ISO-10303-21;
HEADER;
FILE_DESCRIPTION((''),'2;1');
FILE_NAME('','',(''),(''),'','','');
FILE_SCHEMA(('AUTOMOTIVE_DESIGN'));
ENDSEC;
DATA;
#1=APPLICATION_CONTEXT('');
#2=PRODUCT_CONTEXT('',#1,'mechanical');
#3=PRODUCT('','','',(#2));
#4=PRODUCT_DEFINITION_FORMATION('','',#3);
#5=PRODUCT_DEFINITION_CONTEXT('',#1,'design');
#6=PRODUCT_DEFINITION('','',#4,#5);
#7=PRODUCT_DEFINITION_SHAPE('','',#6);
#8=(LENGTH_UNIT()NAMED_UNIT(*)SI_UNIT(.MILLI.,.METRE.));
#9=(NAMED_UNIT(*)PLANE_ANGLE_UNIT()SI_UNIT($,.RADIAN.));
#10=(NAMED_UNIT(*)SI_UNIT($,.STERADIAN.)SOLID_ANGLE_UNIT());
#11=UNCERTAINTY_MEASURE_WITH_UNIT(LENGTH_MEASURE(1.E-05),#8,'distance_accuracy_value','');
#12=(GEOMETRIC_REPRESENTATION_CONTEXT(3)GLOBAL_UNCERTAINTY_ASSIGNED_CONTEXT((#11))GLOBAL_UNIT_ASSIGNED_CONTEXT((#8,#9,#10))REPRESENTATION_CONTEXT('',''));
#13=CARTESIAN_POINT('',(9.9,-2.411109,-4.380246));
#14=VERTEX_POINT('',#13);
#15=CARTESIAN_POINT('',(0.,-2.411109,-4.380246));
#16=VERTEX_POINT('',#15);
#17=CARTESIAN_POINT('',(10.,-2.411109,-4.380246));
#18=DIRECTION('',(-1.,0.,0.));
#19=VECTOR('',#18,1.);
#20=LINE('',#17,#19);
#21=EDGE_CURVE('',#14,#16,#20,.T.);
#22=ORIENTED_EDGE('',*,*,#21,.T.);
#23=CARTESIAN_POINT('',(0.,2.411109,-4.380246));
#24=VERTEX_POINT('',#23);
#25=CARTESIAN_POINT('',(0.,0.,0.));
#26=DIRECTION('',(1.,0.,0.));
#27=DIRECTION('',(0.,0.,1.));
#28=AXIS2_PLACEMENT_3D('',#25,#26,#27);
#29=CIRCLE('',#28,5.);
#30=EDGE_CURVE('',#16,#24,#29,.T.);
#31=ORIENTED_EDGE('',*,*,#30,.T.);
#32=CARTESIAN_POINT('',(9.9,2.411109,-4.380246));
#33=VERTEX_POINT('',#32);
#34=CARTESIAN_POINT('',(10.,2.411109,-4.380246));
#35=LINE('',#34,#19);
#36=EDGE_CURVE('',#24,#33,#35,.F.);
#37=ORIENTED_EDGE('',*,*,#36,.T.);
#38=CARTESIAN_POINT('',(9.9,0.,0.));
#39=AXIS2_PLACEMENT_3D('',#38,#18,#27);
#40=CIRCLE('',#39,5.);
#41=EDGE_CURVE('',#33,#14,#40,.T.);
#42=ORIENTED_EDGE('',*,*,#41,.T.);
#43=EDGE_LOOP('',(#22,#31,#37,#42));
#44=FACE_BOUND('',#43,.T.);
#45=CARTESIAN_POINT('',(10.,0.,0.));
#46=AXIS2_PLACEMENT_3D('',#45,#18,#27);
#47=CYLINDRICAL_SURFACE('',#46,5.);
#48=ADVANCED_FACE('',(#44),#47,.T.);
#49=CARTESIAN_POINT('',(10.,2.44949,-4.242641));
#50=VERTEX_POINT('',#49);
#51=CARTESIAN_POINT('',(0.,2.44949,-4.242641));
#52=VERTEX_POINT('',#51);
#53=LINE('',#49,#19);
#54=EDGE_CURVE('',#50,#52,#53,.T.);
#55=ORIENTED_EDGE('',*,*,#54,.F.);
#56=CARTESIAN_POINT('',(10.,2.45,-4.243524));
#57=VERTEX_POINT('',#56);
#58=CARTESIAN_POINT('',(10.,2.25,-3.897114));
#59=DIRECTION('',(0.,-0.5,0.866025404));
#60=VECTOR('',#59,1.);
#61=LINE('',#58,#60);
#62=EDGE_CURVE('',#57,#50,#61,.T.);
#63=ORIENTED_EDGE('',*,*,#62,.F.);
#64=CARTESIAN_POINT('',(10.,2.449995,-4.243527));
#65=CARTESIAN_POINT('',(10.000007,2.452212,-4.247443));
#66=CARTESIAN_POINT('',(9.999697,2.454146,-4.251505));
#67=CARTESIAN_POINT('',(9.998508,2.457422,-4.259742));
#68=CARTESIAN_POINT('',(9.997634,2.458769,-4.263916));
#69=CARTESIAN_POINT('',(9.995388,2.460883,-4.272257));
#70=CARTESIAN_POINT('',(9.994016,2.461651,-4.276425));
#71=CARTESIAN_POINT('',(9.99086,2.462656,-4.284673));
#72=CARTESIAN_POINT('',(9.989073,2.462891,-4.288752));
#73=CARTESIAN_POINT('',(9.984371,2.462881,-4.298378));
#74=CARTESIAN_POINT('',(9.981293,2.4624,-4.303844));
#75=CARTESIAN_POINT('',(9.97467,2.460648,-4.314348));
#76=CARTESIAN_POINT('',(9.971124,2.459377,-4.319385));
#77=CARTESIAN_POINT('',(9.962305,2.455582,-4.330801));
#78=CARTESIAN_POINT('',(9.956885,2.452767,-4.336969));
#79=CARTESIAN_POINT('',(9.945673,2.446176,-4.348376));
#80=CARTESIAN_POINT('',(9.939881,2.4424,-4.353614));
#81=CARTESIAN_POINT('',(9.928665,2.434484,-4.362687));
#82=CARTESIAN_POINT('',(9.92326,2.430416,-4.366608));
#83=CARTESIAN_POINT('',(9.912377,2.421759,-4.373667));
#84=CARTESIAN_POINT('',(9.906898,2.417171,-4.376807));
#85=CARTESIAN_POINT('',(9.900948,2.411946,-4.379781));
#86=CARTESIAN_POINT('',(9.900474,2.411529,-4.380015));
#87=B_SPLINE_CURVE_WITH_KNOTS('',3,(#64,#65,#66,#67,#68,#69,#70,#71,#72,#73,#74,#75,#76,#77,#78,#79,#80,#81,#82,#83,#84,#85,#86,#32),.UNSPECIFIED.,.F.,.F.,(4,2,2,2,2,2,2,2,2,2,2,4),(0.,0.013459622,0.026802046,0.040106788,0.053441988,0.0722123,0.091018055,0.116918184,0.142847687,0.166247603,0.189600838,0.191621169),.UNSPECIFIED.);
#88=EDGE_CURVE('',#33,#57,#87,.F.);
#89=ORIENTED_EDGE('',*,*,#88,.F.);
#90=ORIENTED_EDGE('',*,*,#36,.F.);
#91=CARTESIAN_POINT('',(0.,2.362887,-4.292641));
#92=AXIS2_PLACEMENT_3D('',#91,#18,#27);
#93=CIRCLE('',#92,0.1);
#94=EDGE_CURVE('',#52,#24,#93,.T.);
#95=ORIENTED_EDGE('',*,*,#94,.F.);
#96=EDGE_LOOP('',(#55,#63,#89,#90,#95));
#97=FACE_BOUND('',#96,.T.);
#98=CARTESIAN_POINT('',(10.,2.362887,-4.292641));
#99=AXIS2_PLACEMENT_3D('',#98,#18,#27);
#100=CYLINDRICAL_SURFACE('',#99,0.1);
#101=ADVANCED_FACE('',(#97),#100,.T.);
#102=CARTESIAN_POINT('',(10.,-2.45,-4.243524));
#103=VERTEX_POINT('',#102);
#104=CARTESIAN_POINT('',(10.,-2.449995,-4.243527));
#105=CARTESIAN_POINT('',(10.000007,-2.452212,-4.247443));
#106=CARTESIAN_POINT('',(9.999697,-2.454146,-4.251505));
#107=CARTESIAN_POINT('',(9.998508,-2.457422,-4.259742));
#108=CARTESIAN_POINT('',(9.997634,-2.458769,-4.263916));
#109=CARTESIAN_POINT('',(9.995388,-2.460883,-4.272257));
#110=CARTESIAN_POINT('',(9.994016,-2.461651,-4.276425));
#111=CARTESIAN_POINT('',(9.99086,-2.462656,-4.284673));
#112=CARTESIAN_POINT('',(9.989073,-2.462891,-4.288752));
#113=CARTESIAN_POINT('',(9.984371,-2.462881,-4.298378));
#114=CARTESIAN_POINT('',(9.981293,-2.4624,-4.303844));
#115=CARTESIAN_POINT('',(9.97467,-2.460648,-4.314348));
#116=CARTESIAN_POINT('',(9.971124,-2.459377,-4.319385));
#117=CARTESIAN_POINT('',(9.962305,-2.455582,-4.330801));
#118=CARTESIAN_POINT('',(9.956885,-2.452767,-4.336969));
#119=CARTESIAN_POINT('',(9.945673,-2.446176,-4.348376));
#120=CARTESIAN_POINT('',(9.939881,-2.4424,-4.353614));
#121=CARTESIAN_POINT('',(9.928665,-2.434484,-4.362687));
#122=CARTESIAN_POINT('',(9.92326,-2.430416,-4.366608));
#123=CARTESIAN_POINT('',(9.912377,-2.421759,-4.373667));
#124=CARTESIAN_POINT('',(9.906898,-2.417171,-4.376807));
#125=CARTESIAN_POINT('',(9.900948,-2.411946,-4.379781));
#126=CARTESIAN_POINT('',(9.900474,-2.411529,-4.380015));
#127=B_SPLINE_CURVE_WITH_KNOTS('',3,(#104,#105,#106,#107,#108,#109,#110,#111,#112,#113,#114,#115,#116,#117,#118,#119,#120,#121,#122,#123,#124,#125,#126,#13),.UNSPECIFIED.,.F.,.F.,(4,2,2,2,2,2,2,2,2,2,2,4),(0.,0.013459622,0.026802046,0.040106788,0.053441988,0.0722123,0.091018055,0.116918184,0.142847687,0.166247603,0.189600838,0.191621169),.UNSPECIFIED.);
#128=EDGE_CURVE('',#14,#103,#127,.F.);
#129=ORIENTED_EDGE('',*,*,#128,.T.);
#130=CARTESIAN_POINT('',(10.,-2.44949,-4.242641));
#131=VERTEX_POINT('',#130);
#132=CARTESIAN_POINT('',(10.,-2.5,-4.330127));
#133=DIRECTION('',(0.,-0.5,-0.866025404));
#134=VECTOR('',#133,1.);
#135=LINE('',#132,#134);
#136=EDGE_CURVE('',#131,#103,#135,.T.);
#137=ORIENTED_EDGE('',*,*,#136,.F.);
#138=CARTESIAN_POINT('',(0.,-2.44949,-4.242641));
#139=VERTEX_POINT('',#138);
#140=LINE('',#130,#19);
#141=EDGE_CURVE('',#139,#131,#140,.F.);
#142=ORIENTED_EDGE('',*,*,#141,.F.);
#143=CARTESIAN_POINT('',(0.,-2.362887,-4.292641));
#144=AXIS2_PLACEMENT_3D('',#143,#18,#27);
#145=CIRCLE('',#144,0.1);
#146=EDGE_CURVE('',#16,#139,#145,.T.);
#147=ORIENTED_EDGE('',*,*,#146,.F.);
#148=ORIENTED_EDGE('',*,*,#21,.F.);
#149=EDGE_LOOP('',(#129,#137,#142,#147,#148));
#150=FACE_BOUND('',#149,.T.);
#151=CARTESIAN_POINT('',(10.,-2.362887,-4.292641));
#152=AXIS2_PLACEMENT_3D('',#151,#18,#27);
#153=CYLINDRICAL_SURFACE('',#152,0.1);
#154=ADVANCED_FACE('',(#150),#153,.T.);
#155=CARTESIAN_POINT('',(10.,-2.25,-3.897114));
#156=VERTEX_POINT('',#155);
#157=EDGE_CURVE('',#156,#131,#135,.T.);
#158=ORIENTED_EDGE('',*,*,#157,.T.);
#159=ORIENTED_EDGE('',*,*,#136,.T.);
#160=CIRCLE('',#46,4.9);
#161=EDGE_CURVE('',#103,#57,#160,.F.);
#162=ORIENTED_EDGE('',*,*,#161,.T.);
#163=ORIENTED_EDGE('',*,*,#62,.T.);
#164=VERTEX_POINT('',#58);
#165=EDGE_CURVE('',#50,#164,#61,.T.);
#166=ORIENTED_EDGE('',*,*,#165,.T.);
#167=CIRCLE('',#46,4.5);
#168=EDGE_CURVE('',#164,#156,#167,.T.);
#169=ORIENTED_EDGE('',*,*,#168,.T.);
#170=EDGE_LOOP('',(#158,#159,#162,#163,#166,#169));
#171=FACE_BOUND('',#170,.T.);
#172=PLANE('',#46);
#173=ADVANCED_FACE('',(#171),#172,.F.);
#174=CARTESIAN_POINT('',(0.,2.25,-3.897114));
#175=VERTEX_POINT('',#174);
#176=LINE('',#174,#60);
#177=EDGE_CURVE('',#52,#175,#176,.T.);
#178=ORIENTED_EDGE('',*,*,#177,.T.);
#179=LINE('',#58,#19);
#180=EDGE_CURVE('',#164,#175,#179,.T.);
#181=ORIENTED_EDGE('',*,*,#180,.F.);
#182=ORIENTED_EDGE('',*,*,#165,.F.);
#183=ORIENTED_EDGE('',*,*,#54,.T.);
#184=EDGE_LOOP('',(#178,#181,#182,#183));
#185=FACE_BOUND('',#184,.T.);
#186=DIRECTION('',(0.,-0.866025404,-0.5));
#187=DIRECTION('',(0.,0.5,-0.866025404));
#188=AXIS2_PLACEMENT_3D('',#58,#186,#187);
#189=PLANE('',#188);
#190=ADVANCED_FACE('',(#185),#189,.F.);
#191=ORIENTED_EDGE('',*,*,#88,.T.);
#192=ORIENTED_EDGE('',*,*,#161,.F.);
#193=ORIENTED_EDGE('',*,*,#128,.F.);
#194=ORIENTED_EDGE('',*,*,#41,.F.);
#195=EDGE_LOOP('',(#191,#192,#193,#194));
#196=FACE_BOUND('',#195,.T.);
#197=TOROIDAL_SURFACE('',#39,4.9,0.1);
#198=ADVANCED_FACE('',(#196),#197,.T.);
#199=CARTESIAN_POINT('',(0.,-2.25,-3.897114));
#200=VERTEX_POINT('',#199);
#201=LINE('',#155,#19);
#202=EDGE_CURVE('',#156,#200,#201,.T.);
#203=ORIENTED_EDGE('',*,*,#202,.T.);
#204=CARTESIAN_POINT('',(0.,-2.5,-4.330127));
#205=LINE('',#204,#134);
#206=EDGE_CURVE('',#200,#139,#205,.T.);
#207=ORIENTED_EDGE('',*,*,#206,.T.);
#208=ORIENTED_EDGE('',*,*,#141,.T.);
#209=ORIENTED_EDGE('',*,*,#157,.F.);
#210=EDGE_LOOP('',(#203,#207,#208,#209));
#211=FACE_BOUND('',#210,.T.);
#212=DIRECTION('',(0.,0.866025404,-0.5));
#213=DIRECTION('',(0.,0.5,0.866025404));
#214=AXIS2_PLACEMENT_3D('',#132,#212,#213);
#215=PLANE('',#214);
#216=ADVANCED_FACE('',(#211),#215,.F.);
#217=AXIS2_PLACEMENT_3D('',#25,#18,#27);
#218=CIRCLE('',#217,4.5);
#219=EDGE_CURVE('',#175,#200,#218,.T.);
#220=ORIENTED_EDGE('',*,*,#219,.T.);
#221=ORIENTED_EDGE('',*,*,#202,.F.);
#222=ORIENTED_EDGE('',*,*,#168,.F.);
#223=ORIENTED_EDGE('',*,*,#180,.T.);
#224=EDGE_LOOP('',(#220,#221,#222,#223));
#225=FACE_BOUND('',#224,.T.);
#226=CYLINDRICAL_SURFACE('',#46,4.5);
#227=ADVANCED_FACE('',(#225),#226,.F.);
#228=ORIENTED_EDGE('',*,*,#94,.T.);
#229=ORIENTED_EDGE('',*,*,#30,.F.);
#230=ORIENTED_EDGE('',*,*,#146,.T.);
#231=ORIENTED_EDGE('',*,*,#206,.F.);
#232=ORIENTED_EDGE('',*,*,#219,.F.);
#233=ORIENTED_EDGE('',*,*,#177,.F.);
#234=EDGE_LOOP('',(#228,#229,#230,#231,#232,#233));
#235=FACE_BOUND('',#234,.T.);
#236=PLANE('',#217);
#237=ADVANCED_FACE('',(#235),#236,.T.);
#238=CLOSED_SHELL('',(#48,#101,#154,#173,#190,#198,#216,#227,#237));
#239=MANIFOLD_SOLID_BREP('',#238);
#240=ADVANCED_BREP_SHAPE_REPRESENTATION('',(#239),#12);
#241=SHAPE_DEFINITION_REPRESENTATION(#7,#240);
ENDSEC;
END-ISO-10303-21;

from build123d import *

# Parameters (mm, degrees)
BOSS_EXTRUDE1_DEPTH = 10
FILLET3_R           = 0.1


with BuildPart() as part:
    # airflap → Boss-Extrude1 (new body)
    with BuildSketch(Plane(origin=(0, 0, 0), x_dir=(0, 0, -1), z_dir=(1, 0, 0))):
        with BuildLine():
            Line((3.897114317, 2.25), (4.330127019, 2.5))
            ThreePointArc((4.330127019, 2.5), (5, 0), (4.330127019, -2.5))
            Line((4.330127019, -2.5), (3.897114317, -2.25))
            ThreePointArc((3.897114317, -2.25), (4.5, 0), (3.897114317, 2.25))
        make_face()
    extrude(amount=BOSS_EXTRUDE1_DEPTH)

    # Fillet3
    fillet3_edges = [part.edges().sort_by_distance(p)[0] for p in [
        (10, 0, -5),
        (5, 2.5, -4.330127019),
        (5, -2.5, -4.330127019),
    ]]
    fillet(fillet3_edges, radius=FILLET3_R)


solid = part.part
